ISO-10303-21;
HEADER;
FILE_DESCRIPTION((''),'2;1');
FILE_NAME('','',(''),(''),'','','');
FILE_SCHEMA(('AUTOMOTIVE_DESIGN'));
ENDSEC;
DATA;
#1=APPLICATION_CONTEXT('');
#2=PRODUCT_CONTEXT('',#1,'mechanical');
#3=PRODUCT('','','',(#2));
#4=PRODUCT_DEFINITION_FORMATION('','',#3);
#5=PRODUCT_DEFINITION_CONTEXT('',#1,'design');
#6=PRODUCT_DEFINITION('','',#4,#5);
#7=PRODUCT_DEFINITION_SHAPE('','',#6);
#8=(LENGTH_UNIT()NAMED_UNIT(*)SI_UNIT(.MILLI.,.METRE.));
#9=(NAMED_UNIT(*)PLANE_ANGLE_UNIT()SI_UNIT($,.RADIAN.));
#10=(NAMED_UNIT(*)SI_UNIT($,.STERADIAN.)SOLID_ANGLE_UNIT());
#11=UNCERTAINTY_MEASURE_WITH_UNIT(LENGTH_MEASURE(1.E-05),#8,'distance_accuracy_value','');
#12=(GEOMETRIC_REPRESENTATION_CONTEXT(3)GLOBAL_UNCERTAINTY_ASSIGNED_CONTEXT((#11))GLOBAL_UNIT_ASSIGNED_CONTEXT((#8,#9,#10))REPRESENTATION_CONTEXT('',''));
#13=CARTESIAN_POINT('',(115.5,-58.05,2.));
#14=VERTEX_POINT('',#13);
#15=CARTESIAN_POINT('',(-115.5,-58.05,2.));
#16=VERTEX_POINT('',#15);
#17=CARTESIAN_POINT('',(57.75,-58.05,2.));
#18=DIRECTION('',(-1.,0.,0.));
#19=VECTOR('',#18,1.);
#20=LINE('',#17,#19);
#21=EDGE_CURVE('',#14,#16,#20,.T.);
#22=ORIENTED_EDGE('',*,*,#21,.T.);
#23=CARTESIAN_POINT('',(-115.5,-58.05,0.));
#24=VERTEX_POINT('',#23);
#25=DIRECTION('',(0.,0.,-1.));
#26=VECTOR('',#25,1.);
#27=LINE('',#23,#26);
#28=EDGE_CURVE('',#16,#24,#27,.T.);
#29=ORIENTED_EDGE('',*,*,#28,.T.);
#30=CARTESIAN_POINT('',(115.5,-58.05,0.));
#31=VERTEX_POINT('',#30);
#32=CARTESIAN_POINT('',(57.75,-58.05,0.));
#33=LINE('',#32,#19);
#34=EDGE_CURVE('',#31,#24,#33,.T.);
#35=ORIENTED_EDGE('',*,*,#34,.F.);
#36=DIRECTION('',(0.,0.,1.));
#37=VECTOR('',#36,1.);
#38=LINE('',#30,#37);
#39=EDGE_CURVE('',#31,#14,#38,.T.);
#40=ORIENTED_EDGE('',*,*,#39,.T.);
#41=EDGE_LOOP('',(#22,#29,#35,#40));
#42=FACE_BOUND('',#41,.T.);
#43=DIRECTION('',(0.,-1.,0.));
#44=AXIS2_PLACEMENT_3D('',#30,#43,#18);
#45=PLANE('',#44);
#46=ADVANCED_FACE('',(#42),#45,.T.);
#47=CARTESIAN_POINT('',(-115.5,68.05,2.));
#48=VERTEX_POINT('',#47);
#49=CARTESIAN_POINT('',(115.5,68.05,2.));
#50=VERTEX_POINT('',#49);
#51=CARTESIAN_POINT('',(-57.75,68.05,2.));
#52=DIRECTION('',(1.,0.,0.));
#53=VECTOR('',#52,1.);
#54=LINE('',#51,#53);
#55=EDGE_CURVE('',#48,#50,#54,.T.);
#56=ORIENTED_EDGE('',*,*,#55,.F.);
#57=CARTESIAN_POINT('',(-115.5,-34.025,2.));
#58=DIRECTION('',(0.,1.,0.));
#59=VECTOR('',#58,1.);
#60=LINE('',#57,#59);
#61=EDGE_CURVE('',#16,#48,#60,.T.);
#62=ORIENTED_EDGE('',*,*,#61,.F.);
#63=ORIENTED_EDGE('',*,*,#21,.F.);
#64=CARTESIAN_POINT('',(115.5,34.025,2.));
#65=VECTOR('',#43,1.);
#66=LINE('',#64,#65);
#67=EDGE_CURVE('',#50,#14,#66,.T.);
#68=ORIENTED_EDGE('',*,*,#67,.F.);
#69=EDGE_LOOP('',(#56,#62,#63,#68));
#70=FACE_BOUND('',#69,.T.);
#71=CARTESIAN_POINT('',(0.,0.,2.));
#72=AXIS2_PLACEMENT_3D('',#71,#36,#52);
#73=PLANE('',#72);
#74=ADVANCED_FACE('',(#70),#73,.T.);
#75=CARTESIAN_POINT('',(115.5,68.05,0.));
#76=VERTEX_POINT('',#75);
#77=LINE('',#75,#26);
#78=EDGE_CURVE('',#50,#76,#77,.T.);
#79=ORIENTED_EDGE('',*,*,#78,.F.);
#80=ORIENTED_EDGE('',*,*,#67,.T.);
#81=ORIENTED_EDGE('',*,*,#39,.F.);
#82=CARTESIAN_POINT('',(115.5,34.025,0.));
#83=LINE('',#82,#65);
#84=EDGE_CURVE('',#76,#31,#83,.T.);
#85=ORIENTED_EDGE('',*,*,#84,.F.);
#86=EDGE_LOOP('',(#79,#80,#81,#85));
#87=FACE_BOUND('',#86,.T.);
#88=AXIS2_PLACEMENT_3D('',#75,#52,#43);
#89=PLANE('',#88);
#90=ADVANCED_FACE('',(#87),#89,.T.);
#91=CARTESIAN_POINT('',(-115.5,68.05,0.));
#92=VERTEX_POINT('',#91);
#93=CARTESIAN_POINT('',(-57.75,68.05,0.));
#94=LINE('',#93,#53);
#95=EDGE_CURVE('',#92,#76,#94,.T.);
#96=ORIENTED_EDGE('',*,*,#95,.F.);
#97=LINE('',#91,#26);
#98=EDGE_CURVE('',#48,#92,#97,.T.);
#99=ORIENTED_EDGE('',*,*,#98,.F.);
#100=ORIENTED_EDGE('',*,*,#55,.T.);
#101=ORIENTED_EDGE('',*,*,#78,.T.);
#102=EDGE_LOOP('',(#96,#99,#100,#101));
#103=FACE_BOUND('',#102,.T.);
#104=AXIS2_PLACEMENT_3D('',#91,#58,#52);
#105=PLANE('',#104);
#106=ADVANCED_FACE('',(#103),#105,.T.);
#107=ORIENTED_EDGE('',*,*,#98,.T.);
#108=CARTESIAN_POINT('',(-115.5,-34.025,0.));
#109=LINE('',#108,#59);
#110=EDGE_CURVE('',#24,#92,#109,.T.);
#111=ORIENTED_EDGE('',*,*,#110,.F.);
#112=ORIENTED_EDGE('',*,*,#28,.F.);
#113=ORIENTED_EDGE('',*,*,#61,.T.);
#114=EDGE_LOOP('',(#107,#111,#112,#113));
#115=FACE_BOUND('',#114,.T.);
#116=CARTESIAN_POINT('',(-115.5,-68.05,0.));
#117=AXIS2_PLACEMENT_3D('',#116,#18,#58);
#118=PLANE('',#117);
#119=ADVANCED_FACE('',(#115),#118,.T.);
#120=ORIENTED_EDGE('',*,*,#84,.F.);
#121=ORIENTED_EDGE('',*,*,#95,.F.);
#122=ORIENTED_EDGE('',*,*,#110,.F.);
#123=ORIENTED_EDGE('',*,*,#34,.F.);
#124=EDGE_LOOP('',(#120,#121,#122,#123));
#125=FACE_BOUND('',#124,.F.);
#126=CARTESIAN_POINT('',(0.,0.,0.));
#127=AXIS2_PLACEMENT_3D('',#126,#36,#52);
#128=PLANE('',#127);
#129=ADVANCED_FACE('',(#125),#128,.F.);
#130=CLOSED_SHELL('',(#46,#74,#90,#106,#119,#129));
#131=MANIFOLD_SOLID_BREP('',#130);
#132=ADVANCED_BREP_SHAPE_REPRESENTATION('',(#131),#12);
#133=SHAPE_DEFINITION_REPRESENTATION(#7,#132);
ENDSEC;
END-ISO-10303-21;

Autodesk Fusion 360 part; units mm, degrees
sketch "Sketch1" plane through (0, 0, 0) normal (0, 0, 1) x (1, 0, 0)
  line L0 (115.5, -68.05) -> (-115.5, -68.05)
  line L1 (-115.5, -68.05) -> (-115.5, 68.05)
  line L2 (-115.5, 68.05) -> (115.5, 68.05)
  line L3 (115.5, 68.05) -> (115.5, -68.05)
  line L4 (115.5, -68.05) -> (-115.5, 68.05) construction
  line L5 (-115.5, -68.05) -> (115.5, 68.05) construction
  dimension "d1" = 136.1
  dimension "d2" = 231
extrude "Extrude1" add sketch "Sketch1" along normal blind 2
sketch "Sketch3" plane through (0, 0, 2) normal (0, 0, 1) x (-1, 0, 0)
  line L0 (-115.5, -68.05) -> (115.5, -68.05)
  line L1 (115.5, -68.05) -> (115.5, 68.05)
  line L2 (115.5, 68.05) -> (-115.5, 68.05)
  line L3 (-115.5, 68.05) -> (-115.5, -68.05)
move_face "OffsetFaces1" offset -5 1 faces at (38.5, -68.05, 0.6667)
extrude "Extrude2" cut 1 faces at (38.5, -63.05, 0.6667) along direction (0, 1, 0) blind 5
